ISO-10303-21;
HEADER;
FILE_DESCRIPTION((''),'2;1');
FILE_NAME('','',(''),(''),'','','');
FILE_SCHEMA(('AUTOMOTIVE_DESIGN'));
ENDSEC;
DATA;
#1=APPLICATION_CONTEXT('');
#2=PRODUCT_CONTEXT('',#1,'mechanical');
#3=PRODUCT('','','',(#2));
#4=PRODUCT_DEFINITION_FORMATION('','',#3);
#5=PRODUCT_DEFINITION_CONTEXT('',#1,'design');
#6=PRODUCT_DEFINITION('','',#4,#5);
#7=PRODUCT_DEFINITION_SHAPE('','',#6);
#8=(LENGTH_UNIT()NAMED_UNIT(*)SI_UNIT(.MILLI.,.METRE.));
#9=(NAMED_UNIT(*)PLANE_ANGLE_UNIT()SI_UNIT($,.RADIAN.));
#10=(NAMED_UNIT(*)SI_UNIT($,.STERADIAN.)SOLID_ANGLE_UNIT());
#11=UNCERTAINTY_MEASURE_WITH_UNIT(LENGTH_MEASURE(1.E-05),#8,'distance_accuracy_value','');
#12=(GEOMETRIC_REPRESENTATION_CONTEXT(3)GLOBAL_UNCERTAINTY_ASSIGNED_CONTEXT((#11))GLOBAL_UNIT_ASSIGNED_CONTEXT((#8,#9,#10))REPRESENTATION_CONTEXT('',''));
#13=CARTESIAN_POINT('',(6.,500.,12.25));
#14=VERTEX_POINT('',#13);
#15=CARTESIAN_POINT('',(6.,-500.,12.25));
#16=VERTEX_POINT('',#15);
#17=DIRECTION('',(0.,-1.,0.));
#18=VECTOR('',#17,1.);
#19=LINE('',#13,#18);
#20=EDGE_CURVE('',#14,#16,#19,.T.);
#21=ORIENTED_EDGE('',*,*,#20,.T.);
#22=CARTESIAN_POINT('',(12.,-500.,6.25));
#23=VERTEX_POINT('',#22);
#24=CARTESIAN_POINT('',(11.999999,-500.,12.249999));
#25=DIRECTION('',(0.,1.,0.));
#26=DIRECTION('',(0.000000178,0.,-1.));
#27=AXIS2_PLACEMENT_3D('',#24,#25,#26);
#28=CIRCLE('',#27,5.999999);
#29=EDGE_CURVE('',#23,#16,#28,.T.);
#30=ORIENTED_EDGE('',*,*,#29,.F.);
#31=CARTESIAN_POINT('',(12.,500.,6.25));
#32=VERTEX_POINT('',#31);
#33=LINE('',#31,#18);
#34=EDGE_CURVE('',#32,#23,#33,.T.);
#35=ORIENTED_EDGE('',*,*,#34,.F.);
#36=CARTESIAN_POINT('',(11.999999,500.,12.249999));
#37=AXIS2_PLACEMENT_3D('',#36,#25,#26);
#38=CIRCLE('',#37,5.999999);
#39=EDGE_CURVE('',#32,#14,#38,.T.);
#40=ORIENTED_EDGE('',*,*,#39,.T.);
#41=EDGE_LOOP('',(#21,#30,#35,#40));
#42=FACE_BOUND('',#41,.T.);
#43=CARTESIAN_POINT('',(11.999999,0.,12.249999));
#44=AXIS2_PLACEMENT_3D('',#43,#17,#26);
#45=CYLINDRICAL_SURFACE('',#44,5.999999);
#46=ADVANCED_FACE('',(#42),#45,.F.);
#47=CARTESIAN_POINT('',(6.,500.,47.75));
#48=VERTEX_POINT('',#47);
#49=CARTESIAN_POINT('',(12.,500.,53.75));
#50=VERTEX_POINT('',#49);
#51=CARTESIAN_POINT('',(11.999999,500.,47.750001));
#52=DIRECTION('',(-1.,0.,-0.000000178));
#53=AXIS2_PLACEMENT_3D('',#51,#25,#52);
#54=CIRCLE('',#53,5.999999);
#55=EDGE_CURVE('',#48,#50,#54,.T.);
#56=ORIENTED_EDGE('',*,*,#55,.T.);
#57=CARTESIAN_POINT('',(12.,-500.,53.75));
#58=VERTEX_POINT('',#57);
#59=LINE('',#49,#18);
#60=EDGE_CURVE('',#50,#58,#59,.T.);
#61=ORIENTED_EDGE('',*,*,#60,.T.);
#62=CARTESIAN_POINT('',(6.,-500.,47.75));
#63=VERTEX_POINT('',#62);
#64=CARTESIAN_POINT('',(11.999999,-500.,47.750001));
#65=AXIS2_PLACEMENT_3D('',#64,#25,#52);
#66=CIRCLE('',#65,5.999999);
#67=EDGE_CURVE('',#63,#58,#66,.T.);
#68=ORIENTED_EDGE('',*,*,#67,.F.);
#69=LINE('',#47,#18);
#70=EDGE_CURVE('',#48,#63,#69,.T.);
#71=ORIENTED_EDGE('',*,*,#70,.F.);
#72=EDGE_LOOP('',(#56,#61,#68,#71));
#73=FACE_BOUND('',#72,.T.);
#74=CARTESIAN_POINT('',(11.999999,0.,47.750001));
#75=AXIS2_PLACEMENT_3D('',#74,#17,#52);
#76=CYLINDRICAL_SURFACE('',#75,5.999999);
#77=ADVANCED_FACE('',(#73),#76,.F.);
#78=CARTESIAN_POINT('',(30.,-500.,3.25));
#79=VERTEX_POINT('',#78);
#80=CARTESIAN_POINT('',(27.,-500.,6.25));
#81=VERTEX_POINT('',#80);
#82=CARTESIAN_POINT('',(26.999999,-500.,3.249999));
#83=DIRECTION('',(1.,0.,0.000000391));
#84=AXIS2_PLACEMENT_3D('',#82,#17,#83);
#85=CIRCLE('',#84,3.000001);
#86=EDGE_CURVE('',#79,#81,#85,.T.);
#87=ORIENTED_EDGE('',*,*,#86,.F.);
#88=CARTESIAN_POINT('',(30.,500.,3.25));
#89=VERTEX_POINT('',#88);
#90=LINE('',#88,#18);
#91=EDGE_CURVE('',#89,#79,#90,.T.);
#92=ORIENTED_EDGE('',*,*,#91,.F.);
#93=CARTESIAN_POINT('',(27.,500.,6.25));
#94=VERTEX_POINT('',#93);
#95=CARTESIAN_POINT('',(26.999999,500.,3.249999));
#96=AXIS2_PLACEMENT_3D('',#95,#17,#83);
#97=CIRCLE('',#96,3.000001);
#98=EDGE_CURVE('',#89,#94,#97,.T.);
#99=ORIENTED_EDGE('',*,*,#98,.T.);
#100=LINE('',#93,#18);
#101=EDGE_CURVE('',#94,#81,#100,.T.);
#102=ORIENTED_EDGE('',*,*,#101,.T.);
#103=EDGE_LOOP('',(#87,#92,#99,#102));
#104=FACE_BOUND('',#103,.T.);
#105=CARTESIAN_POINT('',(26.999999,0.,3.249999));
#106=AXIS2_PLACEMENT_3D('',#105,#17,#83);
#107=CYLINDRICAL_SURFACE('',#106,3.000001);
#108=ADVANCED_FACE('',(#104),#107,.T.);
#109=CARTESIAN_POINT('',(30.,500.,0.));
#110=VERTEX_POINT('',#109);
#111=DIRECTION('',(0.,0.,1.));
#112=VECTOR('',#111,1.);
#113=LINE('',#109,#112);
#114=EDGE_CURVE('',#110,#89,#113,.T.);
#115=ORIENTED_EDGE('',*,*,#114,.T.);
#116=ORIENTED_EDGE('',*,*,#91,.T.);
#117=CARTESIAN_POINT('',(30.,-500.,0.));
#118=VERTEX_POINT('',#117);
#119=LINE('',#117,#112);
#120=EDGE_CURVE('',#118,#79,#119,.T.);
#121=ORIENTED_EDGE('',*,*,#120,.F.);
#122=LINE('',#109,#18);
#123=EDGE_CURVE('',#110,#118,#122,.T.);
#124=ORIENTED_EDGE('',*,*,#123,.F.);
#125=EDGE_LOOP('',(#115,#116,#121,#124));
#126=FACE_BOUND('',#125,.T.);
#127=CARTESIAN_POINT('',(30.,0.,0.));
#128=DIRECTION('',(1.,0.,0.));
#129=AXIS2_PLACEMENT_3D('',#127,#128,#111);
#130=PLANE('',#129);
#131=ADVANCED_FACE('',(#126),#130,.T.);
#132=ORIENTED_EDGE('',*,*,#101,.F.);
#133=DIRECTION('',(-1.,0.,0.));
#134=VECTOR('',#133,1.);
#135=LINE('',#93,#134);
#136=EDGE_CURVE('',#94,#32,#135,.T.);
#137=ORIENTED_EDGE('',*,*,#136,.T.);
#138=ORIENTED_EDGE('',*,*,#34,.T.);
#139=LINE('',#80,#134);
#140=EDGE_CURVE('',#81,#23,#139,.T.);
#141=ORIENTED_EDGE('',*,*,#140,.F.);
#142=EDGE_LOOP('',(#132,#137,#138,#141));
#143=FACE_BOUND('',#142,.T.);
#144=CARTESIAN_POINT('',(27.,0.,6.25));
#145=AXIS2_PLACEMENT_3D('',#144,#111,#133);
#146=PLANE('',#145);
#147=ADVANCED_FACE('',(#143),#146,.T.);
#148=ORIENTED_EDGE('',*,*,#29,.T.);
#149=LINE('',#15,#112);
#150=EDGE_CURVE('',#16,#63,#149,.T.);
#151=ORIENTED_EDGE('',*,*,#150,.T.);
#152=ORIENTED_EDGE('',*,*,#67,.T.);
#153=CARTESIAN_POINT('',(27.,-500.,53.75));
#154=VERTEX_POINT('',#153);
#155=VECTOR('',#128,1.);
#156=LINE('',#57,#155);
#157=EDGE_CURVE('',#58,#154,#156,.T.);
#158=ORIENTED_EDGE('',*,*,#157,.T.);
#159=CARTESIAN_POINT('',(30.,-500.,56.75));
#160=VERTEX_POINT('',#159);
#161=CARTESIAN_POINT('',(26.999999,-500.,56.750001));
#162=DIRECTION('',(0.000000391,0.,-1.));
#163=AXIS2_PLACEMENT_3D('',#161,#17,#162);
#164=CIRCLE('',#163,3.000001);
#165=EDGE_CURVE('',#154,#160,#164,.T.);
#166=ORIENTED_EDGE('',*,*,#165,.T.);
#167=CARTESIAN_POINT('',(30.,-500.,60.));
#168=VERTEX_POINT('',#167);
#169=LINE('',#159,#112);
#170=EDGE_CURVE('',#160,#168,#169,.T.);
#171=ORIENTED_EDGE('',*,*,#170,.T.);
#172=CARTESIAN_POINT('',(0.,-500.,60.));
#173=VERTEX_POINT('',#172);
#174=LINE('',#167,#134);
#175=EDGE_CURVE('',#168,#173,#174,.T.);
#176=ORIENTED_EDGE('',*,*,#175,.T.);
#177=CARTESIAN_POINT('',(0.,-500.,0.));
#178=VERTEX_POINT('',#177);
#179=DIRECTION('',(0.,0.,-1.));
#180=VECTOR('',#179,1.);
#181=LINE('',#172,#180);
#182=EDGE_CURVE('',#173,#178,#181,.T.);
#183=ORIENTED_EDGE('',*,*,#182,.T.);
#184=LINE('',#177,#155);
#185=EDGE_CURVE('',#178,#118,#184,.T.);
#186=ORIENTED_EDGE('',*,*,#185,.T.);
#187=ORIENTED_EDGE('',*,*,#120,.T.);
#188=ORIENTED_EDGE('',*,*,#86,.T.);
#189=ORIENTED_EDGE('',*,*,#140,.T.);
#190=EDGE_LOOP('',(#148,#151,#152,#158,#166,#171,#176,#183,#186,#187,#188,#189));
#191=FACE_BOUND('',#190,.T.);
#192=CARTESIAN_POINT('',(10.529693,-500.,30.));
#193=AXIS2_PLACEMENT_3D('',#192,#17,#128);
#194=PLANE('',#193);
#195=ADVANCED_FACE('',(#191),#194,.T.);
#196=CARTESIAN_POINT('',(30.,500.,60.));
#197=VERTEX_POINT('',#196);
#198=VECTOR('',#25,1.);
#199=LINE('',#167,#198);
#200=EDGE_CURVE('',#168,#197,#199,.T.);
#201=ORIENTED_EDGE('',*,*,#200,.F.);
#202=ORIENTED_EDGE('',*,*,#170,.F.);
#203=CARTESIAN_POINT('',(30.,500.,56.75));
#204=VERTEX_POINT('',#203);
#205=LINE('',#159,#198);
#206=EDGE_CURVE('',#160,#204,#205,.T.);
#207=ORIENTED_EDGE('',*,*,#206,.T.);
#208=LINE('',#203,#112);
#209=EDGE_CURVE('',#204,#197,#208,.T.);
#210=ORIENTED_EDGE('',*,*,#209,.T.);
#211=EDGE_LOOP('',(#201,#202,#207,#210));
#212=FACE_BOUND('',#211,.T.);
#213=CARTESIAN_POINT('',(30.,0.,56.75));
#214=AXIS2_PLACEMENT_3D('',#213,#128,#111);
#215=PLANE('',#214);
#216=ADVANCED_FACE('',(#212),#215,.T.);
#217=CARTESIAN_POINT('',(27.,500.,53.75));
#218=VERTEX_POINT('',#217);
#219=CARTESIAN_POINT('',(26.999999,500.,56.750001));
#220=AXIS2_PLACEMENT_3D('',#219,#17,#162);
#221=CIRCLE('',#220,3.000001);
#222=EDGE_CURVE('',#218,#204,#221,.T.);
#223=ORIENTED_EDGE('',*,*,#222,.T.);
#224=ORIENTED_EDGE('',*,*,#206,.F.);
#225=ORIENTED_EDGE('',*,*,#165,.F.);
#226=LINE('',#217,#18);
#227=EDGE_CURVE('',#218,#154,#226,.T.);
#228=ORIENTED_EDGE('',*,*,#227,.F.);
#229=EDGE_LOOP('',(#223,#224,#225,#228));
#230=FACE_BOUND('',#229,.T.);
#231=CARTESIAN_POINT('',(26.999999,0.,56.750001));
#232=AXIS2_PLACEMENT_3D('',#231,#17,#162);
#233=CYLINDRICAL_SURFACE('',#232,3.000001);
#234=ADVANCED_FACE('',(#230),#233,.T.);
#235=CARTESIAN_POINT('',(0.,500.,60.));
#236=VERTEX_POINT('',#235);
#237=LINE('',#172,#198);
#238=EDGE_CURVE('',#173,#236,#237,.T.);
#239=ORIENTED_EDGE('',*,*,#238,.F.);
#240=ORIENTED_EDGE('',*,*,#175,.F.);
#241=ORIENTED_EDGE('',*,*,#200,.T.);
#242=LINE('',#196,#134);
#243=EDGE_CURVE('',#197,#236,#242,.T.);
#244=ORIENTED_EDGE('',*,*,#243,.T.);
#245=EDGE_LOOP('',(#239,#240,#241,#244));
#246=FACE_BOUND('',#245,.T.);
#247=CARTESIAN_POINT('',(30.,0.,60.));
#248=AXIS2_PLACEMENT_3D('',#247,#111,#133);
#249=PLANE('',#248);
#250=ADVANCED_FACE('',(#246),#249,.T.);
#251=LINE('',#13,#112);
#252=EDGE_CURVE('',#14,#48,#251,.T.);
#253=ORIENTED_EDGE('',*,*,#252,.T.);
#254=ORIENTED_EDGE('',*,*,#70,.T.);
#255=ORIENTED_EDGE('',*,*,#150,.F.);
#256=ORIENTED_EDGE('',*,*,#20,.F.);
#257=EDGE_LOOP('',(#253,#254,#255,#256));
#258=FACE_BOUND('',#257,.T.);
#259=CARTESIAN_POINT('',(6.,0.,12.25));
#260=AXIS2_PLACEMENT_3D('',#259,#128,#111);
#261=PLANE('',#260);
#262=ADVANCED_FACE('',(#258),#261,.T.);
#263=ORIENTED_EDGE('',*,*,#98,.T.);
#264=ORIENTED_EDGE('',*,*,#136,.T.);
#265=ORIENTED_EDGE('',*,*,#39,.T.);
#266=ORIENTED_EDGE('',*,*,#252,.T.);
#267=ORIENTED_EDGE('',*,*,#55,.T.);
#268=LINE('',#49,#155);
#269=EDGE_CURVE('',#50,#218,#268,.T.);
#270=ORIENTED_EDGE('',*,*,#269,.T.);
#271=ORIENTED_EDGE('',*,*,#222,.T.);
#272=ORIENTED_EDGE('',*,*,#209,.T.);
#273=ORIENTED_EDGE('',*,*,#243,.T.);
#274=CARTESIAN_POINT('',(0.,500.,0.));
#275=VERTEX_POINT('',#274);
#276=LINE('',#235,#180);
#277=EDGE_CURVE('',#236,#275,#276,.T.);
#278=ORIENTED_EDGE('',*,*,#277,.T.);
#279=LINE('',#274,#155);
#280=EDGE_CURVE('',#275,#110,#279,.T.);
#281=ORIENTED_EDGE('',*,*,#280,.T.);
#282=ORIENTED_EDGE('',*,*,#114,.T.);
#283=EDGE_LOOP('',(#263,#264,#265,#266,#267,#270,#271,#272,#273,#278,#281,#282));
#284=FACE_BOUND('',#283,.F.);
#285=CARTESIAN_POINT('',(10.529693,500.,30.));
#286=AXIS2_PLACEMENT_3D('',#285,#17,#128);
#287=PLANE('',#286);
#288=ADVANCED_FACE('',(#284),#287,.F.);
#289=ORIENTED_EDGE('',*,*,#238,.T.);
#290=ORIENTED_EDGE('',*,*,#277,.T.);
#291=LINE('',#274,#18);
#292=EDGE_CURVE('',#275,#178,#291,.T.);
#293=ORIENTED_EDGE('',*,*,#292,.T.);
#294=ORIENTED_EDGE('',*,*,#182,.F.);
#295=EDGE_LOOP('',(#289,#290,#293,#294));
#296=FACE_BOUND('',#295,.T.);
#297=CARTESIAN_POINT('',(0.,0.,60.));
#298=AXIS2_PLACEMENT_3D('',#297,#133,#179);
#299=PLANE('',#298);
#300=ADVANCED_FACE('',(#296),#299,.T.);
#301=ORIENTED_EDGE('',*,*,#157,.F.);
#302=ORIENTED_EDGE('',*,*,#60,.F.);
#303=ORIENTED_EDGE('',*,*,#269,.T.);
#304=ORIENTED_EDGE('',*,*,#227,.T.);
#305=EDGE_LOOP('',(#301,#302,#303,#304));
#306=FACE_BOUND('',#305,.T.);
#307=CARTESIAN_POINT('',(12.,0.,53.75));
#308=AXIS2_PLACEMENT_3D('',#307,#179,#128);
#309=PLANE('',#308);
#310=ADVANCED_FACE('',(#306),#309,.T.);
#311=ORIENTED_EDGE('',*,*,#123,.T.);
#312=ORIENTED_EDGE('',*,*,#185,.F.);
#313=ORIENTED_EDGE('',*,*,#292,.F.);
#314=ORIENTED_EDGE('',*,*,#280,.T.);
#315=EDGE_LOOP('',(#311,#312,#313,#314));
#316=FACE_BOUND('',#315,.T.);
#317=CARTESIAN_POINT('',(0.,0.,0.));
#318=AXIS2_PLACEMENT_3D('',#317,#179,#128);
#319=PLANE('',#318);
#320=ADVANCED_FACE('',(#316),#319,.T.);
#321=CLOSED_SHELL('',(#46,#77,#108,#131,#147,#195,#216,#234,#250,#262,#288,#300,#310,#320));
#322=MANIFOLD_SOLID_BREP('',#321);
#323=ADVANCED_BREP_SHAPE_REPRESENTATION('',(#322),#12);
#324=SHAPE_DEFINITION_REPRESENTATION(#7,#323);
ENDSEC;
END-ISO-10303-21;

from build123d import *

# Parameters (mm, degrees)
F1_DEPTH = 500


with BuildPart() as f1:
    # F0 (on Front) → F1 (new body, symmetric)
    with BuildSketch(Plane.XZ):
        with BuildLine():
            Line((0, 60), (0, 0))
            Line((0, 0), (30, 0))
            Line((30, 0), (30, 3.25))
            ThreePointArc((30, 3.25), (29.12132, 5.37132), (27, 6.25))
            Line((27, 6.25), (12, 6.25))
            ThreePointArc((12, 6.25), (7.757359, 8.007359), (6, 12.25))
            Line((6, 12.25), (6, 47.75))
            ThreePointArc((6, 47.75), (7.757359, 51.992641), (12, 53.75))
            Line((12, 53.75), (27, 53.75))
            ThreePointArc((27, 53.75), (29.12132, 54.62868), (30, 56.75))
            Line((30, 56.75), (30, 60))
            Line((30, 60), (0, 60))
        make_face()
    extrude(amount=F1_DEPTH, both=True)


solid = f1.part
